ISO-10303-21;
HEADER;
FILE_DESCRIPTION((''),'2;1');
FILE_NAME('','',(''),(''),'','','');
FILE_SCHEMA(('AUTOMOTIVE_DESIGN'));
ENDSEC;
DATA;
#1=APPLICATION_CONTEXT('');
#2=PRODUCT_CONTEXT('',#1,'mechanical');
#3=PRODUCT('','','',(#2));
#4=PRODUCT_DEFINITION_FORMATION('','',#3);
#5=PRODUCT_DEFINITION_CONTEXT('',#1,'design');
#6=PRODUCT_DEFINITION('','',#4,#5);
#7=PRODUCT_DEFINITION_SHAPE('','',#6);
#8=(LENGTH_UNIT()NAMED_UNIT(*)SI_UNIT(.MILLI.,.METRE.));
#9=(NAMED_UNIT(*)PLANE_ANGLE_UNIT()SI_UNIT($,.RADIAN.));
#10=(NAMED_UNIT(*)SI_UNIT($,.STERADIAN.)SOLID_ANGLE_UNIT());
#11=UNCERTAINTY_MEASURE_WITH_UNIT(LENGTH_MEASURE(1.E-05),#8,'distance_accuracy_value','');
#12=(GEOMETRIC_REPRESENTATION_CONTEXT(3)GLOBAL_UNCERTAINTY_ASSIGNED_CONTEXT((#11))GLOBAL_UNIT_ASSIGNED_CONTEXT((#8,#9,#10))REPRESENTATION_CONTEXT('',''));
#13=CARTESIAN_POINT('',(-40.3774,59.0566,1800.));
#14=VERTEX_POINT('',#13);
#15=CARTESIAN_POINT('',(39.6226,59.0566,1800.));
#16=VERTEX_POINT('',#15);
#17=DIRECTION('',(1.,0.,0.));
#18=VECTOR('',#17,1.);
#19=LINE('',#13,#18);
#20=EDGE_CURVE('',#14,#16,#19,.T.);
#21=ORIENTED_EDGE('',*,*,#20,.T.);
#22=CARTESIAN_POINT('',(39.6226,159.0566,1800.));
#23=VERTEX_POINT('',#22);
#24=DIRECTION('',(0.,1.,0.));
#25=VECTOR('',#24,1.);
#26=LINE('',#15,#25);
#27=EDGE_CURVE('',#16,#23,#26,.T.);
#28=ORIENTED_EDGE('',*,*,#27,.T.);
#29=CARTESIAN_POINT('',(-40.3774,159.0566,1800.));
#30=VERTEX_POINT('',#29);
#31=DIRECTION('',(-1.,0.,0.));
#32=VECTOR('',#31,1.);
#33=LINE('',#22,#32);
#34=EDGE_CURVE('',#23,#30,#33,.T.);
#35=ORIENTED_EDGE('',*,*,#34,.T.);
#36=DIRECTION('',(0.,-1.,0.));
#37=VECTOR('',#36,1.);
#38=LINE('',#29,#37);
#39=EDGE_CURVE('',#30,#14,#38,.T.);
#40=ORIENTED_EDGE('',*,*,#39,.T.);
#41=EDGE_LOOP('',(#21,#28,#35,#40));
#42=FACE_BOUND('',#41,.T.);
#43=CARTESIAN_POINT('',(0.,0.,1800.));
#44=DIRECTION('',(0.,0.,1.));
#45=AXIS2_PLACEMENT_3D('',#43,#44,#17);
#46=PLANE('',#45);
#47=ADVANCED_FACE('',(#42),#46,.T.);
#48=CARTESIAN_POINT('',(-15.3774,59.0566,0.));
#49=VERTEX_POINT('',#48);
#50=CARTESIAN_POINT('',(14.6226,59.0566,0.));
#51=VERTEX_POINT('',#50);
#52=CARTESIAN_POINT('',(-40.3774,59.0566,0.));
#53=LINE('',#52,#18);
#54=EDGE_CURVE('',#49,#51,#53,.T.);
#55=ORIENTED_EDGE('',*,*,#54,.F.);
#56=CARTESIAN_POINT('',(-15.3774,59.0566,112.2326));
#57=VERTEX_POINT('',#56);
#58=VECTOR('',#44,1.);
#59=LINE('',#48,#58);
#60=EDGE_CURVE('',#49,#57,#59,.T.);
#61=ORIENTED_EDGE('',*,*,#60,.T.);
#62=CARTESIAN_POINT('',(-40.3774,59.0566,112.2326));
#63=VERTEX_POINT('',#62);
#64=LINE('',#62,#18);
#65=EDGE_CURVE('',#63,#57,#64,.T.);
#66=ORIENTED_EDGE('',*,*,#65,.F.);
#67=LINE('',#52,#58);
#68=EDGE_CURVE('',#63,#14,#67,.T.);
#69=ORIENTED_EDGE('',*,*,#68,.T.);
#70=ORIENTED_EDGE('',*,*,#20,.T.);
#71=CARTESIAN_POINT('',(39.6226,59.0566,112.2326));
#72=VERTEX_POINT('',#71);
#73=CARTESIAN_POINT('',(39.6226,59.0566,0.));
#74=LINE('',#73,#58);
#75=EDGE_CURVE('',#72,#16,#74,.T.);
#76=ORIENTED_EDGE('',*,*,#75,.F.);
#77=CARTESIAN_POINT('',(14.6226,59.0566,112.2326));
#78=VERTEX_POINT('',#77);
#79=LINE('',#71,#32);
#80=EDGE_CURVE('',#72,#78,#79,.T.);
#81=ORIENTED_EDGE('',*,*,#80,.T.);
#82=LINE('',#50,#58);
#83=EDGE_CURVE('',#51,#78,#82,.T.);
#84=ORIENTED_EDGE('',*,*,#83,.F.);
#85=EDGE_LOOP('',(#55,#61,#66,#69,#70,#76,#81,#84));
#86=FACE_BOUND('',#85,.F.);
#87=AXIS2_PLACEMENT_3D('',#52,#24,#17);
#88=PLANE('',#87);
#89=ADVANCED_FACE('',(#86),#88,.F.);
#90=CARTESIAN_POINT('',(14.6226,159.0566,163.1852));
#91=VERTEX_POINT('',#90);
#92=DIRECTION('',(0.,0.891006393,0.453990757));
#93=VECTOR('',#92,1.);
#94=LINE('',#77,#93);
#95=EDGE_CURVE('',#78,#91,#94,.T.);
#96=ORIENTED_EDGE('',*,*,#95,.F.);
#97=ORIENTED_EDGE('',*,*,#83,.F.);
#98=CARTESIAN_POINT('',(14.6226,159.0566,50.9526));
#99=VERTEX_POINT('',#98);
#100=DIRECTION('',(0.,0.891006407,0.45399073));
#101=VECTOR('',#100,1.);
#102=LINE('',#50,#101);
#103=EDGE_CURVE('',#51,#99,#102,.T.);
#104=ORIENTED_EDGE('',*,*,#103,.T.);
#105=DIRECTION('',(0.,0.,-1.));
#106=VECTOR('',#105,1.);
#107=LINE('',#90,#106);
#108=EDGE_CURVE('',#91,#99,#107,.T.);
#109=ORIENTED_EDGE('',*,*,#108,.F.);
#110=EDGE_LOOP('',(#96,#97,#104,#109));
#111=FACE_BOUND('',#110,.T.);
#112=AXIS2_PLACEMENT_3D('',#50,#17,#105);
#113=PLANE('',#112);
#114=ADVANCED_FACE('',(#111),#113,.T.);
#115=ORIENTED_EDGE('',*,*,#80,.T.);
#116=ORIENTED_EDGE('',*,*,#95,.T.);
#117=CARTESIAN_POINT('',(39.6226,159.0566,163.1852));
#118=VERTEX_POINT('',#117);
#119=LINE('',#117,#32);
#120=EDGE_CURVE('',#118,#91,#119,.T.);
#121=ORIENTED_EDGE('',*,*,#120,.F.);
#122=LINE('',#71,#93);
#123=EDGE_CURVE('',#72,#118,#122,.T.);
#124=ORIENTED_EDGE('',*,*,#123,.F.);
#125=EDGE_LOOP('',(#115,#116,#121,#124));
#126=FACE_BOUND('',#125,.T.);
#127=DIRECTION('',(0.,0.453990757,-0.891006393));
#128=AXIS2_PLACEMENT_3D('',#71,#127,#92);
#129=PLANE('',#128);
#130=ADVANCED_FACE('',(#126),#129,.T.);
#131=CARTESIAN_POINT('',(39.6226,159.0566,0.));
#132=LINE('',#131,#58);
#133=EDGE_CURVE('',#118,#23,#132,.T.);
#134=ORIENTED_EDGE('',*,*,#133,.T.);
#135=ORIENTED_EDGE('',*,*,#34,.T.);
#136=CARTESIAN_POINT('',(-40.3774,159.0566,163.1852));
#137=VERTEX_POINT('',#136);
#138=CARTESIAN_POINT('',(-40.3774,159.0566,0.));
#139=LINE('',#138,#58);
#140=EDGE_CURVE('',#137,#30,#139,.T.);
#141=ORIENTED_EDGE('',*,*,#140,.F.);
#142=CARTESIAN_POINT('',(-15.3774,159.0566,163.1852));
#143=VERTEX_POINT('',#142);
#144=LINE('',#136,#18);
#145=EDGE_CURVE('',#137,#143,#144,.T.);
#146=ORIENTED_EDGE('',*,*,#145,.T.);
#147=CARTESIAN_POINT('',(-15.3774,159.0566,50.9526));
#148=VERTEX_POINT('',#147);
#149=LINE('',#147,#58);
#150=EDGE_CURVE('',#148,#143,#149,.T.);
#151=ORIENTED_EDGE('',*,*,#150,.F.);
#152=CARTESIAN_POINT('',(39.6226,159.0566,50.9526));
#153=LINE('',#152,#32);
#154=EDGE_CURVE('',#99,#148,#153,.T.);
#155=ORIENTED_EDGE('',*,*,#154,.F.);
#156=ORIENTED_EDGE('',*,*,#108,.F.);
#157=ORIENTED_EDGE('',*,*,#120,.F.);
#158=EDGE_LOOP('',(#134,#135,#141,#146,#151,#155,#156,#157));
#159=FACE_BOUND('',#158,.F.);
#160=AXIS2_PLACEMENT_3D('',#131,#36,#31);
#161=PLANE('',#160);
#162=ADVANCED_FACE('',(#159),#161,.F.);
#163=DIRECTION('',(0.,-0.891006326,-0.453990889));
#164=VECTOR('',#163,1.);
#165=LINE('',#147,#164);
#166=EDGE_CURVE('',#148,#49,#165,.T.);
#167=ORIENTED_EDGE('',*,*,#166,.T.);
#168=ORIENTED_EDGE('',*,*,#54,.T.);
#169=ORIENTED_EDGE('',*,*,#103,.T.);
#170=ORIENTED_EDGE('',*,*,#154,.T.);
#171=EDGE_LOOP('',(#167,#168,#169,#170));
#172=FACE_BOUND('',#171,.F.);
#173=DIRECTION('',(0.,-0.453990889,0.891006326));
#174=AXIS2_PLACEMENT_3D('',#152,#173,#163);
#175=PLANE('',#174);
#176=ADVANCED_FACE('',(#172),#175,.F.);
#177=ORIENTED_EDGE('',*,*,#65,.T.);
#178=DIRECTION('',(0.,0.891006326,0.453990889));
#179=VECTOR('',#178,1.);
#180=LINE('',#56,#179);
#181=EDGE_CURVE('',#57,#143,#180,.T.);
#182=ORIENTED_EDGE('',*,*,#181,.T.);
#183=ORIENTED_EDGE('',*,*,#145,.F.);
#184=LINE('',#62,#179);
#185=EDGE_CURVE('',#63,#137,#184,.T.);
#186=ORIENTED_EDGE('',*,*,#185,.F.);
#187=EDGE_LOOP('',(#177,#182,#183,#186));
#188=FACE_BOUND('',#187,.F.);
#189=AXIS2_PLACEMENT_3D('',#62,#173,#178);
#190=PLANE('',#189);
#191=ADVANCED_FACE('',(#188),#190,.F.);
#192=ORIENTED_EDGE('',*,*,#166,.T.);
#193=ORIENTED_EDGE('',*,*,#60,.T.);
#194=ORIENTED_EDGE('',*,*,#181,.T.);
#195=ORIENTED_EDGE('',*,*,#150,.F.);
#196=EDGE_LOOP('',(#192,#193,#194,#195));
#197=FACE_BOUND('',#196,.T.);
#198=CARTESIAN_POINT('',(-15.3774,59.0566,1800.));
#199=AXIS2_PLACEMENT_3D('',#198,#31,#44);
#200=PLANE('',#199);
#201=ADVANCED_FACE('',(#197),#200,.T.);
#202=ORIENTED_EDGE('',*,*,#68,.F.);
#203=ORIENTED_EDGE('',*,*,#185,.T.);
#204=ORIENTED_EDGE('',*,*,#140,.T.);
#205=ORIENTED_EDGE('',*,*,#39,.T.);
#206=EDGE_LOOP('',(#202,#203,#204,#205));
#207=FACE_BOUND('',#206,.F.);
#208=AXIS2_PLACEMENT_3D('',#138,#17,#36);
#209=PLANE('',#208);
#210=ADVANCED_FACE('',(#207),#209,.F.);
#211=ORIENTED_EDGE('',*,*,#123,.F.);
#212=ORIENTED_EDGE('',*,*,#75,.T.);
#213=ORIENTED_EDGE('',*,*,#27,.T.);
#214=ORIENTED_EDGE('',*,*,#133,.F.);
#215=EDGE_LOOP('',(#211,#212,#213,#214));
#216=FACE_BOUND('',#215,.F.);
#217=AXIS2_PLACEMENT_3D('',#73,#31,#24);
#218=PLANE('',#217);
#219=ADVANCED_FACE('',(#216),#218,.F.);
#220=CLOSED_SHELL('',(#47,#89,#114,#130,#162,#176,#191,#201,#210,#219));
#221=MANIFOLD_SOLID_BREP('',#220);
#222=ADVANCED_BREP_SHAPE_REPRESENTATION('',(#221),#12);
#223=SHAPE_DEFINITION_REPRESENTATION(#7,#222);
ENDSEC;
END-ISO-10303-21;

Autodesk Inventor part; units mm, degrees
ref_plane "YZ Plane" through (0, 0, 0) normal (1, 0, 0) x (0, 1, 0)
ref_plane "XZ Plane" through (0, 0, 0) normal (0, 1, 0) x (-1, 0, 0)
ref_plane "XY Plane" through (0, 0, 0) normal (0, 0, 1) x (1, 0, 0)
sketch "Sketch1" plane through (0, 0, 0) normal (0, 0, 1) x (1, 0, 0)
  line L0 (-40.3774, 59.0566) -> (39.6226, 59.0566)
  line L1 (39.6226, 59.0566) -> (39.6226, 159.0566)
  line L2 (39.6226, 159.0566) -> (-40.3774, 159.0566)
  line L3 (-40.3774, 159.0566) -> (-40.3774, 59.0566)
  point P0 (0, 0)
  dimension "d0" = 80
  dimension "d1" = 100
extrude "Extrusion1" add sketch "Sketch1" along normal blind 1800
sketch "Sketch2" plane through (39.6226, 59.0566, 0) normal (1, 0, 0) x (0, 0, -1)
  line L0 (403.6788, -347.1669) -> (-104.7907, 650.76) projected
  line L1 (-104.7907, 650.76) -> (-128.8479, 638.5023) projected
  line L2 (379.6216, -359.4246) -> (-128.8479, 638.5023) projected
  line L3 (403.6788, -347.1669) -> (379.6216, -359.4246) projected
  line L4 (0, 0) -> (-1800, 0) projected
  line L5 (0, 0) -> (-117.0664, 229.7556)
  line L6 (-112.2326, 0) -> (-212.1687, 196.1355)
  line L7 (0, 0) -> (-112.2326, 0)
  line L8 (0, 0) -> (0, 100) projected
  line L9 (0, 100) -> (-1800, 100) projected
  line L10 (-163.1852, 100) -> (-50.9526, 100)
  point P0 (0, -59.0566)
  dimension "d4" = 100
extrude "Extrusion2" cut sketch "Sketch2" against normal blind 25 contours L4 L6 L9 L5
sketch "Sketch3" plane through (39.6226, 59.0566, 0) normal (1, 0, 0) x (0, 0, -1)
  line L0 (-50.9526, 100) -> (0, 0) projected
  line L1 (0, 0) -> (0, 100) projected
  line L2 (0, 100) -> (-50.9526, 100) projected
  point P0 (0, -59.0566)
sketch "Sketch4" plane through (39.6226, 59.0566, 0) normal (1, 0, 0) x (0, 0, -1)
  point P0 (0, -59.0566)
extrude "Extrusion3" cut sketch "Sketch3" against normal blind 100
sketch "Sketch5" plane through (-40.3774, 59.0566, 1800) normal (-1, 0, 0) x (0, 0, 1)
  line L0 (-1687.7674, 0) -> (-1636.8148, 100) projected
  line L1 (-1749.0474, 100) -> (-1800, 0) projected
  line L2 (-1800, 0) -> (0, 0) projected
  line L3 (0, 100) -> (0, 0) projected
  line L4 (-1749.0474, 100) -> (0, 100) projected
  point P0 (-1800, -59.0566)
  point P1 (-1687.7674, 0)
extrude "Extrusion4" cut sketch "Sketch5" against normal blind 25 contours L2 L1 L4 L0
properties part number "poutre100x80" material "Wood (Birch)"
